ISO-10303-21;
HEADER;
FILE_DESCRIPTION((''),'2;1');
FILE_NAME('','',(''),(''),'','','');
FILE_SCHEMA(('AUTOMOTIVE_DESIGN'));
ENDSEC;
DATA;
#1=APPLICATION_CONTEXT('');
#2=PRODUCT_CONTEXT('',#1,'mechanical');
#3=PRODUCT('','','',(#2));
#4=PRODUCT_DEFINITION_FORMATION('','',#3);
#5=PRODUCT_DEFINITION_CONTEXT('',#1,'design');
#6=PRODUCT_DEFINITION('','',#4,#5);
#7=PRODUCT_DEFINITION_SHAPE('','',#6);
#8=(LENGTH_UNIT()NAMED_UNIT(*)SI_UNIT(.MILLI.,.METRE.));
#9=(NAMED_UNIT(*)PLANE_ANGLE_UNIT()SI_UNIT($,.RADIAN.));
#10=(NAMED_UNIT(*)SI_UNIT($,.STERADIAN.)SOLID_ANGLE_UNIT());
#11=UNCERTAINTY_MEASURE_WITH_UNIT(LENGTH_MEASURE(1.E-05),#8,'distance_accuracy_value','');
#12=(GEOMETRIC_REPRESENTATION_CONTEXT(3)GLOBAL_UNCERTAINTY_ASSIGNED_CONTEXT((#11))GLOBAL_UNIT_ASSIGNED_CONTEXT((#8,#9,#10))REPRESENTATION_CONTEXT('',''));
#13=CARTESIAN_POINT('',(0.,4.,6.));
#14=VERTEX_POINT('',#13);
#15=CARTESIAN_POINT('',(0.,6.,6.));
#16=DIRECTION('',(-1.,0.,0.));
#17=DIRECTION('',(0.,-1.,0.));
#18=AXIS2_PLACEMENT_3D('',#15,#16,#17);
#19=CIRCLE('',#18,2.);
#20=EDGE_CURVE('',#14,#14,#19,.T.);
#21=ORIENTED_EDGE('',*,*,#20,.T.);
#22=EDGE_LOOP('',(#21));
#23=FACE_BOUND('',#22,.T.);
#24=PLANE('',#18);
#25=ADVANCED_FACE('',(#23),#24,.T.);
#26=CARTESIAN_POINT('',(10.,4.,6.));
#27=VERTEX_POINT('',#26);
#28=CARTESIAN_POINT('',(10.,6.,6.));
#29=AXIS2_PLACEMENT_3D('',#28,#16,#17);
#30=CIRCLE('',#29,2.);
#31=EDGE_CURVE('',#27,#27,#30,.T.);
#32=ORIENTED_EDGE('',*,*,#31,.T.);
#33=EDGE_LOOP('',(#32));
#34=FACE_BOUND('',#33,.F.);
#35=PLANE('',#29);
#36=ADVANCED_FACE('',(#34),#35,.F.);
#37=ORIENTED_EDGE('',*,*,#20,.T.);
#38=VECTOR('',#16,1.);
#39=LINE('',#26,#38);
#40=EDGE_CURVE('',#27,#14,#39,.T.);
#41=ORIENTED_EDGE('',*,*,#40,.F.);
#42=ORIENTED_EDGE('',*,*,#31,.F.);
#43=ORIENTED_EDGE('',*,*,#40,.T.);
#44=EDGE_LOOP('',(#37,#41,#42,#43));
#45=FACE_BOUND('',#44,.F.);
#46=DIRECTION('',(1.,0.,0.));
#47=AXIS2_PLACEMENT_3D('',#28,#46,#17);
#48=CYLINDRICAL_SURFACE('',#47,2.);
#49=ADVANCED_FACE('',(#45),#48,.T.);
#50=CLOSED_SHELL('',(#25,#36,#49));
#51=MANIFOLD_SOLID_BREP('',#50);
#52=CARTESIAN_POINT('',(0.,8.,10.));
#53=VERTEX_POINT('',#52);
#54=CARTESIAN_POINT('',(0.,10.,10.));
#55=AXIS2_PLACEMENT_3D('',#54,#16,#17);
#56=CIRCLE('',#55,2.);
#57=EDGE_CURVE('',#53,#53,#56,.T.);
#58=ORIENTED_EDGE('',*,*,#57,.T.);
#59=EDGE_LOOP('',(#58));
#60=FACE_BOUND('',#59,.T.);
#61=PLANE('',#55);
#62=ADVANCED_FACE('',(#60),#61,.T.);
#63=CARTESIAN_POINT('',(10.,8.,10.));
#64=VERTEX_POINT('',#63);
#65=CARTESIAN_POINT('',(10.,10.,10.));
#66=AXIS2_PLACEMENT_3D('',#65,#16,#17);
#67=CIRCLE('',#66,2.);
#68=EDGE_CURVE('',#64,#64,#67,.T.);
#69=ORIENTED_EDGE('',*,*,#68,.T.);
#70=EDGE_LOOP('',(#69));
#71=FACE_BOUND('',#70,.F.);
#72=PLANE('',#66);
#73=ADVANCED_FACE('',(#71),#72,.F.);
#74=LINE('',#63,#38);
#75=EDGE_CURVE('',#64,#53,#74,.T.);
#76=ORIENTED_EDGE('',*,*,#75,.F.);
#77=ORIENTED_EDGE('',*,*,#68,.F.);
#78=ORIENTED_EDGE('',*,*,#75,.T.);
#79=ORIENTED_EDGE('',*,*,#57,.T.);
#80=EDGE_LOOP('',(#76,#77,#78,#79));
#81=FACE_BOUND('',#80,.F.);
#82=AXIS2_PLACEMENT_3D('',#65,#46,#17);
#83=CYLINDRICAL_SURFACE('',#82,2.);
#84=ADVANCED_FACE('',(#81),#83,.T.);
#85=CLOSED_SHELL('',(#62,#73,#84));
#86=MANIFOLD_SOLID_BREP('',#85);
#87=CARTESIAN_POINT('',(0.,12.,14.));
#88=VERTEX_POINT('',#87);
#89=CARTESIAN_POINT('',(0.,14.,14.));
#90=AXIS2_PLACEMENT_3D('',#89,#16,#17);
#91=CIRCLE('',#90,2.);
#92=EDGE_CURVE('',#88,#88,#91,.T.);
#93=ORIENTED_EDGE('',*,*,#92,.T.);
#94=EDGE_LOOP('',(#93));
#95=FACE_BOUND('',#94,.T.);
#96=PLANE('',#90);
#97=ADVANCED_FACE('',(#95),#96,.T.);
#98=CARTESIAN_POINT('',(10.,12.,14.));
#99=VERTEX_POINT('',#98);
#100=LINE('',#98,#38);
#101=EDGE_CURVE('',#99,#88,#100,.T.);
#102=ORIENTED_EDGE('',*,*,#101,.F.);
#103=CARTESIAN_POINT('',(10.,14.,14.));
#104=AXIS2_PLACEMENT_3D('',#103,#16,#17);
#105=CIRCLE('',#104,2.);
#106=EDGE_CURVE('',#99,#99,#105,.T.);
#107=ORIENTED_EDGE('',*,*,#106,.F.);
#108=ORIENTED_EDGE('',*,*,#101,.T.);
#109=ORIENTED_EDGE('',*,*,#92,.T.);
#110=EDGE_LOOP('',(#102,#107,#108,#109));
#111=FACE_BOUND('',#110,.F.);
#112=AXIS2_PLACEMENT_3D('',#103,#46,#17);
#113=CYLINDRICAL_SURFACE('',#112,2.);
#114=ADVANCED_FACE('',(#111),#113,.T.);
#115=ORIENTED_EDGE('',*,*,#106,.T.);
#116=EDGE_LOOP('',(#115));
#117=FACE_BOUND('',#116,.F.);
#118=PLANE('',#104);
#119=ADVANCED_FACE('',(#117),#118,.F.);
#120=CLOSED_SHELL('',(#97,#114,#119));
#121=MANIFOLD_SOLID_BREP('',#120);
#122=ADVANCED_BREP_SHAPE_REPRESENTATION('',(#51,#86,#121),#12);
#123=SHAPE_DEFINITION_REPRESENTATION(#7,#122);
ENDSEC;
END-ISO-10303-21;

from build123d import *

# Parameters (mm, degrees)
CYLINDER006_R     = 2
CYLINDER006_DEPTH = 10
CYLINDER005_R     = 2
CYLINDER005_DEPTH = 10
CYLINDER007_R     = 2
CYLINDER007_DEPTH = 10


with BuildPart() as cilindre006:
    # Cylinder006 → Cylinder006 (new body)
    with BuildSketch(Plane(origin=(10, 14, 14), x_dir=(0, -1, 0), z_dir=(-1, 0, 0))):
        Circle(CYLINDER006_R)
    extrude(amount=CYLINDER006_DEPTH)


with BuildPart() as fusion001:
    # Cylinder005 → Cylinder005 (new body)
    with BuildSketch(Plane(origin=(10, 10, 10), x_dir=(0, -1, 0), z_dir=(-1, 0, 0))):
        Circle(CYLINDER005_R)
    extrude(amount=CYLINDER005_DEPTH)

    # Fusion001: union Cilindre006
    add(cilindre006.part)


with BuildPart() as fusion002:
    # Cylinder007 → Cylinder007 (new body)
    with BuildSketch(Plane(origin=(10, 6, 6), x_dir=(0, -1, 0), z_dir=(-1, 0, 0))):
        Circle(CYLINDER007_R)
    extrude(amount=CYLINDER007_DEPTH)

    # Fusion002: union Fusion001
    add(fusion001.part)


solid = fusion002.part
